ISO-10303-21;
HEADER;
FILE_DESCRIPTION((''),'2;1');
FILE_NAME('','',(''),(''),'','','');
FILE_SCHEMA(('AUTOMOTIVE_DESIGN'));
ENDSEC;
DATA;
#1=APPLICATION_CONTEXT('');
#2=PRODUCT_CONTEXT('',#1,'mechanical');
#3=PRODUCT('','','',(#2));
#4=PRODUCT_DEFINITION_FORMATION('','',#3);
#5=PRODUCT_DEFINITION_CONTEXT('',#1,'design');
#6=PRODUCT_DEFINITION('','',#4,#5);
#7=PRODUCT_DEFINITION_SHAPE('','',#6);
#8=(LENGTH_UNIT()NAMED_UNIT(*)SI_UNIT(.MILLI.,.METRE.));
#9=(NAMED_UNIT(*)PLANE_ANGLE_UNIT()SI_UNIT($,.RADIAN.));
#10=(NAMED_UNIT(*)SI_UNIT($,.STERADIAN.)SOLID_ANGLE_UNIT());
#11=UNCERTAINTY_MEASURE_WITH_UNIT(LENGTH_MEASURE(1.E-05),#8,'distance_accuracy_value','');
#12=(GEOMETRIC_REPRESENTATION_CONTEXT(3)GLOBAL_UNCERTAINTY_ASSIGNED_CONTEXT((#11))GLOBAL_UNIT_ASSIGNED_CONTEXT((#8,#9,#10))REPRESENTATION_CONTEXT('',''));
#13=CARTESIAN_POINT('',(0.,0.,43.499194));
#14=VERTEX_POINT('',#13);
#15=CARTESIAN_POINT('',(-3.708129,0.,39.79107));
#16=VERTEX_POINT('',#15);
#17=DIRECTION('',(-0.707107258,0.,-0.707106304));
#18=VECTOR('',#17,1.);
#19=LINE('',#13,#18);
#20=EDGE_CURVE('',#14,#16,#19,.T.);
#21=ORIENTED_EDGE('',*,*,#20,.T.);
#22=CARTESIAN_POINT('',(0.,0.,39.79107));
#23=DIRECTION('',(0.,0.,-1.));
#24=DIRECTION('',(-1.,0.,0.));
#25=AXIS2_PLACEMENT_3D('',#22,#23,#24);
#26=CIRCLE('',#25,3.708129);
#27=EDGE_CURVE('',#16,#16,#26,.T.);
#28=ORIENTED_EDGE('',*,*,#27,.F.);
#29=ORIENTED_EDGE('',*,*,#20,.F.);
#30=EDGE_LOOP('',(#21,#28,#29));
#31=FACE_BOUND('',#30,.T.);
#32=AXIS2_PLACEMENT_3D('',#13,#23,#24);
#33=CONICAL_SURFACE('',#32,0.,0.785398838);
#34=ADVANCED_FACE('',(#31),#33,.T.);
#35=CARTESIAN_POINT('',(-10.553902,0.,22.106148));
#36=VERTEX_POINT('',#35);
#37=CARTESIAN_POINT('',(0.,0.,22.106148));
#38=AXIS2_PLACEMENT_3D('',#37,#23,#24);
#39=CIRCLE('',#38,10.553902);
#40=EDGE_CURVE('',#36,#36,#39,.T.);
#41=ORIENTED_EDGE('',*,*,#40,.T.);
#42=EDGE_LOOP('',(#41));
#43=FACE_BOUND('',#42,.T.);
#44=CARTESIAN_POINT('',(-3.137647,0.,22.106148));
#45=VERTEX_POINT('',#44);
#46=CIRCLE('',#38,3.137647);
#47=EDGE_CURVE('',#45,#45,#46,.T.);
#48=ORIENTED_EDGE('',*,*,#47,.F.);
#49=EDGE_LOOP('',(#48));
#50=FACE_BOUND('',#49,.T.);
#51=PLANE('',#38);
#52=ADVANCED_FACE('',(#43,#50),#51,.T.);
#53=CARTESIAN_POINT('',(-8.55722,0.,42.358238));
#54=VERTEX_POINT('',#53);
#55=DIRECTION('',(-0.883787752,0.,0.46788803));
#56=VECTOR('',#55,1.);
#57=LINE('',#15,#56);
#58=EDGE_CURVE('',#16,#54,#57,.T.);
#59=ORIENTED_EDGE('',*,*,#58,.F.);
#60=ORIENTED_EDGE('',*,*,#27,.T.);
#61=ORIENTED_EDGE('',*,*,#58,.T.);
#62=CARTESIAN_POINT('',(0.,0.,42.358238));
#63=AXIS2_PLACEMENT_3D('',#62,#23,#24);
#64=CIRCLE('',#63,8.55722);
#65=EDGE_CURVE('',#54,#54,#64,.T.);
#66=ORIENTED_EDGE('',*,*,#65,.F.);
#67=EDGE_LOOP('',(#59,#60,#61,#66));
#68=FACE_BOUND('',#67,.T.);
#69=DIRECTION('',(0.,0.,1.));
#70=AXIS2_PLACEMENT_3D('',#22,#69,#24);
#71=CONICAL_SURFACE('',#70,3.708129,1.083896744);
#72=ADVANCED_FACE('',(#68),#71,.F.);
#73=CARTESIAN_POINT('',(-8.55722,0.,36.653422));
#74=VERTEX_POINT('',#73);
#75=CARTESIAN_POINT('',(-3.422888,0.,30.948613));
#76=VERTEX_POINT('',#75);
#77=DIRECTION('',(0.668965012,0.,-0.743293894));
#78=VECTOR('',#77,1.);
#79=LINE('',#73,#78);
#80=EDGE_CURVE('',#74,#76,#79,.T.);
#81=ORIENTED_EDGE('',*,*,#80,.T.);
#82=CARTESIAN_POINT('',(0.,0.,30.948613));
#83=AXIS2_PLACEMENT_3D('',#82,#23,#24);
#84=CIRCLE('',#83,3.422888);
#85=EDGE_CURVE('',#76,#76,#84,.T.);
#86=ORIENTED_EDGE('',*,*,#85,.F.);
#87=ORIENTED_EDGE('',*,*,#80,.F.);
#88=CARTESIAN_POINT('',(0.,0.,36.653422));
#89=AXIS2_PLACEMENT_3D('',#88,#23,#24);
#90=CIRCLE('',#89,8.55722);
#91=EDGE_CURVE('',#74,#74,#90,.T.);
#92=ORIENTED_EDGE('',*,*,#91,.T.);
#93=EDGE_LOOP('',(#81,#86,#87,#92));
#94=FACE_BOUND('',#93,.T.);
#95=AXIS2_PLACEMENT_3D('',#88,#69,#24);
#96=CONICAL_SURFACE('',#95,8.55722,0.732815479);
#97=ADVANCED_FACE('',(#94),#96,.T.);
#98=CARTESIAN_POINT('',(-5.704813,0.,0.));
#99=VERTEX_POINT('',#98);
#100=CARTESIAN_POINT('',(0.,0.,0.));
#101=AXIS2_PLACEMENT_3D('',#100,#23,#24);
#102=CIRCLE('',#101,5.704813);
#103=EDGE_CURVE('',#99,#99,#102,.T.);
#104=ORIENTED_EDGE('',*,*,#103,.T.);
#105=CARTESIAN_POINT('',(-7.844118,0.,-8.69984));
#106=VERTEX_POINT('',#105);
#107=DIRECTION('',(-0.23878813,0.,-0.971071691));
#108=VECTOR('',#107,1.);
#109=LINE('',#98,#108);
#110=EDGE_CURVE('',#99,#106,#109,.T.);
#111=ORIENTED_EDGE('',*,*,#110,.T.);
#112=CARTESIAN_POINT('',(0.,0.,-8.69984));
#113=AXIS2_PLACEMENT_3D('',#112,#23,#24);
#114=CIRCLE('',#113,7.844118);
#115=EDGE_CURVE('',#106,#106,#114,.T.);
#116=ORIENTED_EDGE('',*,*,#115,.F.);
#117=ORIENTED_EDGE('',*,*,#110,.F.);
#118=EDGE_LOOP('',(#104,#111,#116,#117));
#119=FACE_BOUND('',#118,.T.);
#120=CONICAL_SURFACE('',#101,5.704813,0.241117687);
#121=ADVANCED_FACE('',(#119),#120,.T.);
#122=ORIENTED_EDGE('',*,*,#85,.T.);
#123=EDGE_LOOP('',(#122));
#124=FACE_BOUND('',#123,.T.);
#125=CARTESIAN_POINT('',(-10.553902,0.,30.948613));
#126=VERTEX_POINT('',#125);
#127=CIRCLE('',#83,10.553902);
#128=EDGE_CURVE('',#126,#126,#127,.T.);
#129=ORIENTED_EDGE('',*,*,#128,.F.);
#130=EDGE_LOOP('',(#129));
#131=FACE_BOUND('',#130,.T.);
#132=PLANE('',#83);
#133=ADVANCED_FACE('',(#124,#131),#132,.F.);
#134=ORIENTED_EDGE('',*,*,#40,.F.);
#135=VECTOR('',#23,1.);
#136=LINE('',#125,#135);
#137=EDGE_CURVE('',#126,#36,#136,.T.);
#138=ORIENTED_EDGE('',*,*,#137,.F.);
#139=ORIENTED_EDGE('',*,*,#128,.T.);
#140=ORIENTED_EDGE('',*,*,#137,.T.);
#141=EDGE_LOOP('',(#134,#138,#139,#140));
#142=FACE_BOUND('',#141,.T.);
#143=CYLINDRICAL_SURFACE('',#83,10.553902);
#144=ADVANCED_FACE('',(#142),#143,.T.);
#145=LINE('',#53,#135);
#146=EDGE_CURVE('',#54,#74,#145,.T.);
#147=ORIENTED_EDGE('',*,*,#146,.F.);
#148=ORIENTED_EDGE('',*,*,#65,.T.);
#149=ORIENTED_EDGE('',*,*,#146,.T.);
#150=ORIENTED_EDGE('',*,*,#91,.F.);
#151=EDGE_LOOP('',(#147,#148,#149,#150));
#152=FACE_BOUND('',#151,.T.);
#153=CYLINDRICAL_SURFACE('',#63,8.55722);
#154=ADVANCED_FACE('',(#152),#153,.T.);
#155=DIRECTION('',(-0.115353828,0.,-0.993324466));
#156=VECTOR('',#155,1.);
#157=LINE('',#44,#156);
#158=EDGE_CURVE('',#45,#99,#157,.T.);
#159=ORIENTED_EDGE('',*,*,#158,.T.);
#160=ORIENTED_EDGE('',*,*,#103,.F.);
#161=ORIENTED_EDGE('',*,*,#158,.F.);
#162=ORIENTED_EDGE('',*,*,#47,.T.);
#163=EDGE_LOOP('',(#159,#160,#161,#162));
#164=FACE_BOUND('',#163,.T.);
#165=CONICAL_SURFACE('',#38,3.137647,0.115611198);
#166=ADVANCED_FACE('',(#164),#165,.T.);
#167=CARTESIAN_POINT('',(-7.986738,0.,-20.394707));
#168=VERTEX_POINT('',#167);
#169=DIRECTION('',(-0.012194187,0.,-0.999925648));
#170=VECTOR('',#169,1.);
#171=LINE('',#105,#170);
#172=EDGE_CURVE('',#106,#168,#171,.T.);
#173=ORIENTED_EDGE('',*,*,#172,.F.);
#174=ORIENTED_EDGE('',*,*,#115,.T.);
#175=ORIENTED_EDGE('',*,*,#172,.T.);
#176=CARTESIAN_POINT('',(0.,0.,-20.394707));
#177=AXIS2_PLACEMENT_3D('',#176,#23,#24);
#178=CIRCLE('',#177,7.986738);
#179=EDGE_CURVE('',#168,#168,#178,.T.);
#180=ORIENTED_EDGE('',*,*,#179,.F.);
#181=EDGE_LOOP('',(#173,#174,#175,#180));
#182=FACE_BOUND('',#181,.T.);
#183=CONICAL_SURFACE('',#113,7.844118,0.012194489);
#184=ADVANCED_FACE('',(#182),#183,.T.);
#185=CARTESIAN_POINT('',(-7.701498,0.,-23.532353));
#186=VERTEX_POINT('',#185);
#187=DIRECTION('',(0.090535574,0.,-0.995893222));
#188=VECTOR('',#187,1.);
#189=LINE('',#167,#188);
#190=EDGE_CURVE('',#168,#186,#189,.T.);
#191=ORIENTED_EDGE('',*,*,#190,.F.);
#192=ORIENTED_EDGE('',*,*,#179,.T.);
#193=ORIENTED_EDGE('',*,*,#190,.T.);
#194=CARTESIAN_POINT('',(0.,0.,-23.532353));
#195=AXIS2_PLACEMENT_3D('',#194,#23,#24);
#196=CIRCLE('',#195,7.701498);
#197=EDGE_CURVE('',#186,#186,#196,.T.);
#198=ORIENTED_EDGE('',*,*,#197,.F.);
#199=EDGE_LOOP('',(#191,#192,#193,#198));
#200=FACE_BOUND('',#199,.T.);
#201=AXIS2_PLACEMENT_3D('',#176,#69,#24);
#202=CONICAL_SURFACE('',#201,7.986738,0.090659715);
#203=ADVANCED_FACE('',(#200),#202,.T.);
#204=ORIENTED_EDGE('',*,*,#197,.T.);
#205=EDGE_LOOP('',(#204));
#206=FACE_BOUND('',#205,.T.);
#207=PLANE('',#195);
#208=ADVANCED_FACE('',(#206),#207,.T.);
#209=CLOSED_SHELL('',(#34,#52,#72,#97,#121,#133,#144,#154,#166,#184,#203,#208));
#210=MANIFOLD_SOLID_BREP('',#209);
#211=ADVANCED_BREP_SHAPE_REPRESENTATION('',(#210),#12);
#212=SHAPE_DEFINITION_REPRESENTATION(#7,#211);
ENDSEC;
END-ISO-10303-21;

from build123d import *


with BuildPart() as f1:
    # F0 (on Front) → F1 (revolve)
    with BuildSketch(Plane.XZ):
        Polygon((0, -23.532353), (0, -20.394707), (-7.986738, -20.394707), (-7.701498, -23.532353), align=None)
        Polygon((-7.986738, -20.394707), (0, -20.394707), (0, 30.948613), (0, 43.499194), (-3.708129, 39.79107), (-8.55722, 42.358238), (-8.55722, 36.653422), (-3.422888, 30.948613), (-10.553902, 30.948613), (-10.553902, 22.106148), (-3.137647, 22.106148), (-5.704813, 0), (-7.844118, -8.69984), align=None)
    revolve(axis=Axis((0, 0, 9.98342), (0, 0, -1)))


solid = f1.part
